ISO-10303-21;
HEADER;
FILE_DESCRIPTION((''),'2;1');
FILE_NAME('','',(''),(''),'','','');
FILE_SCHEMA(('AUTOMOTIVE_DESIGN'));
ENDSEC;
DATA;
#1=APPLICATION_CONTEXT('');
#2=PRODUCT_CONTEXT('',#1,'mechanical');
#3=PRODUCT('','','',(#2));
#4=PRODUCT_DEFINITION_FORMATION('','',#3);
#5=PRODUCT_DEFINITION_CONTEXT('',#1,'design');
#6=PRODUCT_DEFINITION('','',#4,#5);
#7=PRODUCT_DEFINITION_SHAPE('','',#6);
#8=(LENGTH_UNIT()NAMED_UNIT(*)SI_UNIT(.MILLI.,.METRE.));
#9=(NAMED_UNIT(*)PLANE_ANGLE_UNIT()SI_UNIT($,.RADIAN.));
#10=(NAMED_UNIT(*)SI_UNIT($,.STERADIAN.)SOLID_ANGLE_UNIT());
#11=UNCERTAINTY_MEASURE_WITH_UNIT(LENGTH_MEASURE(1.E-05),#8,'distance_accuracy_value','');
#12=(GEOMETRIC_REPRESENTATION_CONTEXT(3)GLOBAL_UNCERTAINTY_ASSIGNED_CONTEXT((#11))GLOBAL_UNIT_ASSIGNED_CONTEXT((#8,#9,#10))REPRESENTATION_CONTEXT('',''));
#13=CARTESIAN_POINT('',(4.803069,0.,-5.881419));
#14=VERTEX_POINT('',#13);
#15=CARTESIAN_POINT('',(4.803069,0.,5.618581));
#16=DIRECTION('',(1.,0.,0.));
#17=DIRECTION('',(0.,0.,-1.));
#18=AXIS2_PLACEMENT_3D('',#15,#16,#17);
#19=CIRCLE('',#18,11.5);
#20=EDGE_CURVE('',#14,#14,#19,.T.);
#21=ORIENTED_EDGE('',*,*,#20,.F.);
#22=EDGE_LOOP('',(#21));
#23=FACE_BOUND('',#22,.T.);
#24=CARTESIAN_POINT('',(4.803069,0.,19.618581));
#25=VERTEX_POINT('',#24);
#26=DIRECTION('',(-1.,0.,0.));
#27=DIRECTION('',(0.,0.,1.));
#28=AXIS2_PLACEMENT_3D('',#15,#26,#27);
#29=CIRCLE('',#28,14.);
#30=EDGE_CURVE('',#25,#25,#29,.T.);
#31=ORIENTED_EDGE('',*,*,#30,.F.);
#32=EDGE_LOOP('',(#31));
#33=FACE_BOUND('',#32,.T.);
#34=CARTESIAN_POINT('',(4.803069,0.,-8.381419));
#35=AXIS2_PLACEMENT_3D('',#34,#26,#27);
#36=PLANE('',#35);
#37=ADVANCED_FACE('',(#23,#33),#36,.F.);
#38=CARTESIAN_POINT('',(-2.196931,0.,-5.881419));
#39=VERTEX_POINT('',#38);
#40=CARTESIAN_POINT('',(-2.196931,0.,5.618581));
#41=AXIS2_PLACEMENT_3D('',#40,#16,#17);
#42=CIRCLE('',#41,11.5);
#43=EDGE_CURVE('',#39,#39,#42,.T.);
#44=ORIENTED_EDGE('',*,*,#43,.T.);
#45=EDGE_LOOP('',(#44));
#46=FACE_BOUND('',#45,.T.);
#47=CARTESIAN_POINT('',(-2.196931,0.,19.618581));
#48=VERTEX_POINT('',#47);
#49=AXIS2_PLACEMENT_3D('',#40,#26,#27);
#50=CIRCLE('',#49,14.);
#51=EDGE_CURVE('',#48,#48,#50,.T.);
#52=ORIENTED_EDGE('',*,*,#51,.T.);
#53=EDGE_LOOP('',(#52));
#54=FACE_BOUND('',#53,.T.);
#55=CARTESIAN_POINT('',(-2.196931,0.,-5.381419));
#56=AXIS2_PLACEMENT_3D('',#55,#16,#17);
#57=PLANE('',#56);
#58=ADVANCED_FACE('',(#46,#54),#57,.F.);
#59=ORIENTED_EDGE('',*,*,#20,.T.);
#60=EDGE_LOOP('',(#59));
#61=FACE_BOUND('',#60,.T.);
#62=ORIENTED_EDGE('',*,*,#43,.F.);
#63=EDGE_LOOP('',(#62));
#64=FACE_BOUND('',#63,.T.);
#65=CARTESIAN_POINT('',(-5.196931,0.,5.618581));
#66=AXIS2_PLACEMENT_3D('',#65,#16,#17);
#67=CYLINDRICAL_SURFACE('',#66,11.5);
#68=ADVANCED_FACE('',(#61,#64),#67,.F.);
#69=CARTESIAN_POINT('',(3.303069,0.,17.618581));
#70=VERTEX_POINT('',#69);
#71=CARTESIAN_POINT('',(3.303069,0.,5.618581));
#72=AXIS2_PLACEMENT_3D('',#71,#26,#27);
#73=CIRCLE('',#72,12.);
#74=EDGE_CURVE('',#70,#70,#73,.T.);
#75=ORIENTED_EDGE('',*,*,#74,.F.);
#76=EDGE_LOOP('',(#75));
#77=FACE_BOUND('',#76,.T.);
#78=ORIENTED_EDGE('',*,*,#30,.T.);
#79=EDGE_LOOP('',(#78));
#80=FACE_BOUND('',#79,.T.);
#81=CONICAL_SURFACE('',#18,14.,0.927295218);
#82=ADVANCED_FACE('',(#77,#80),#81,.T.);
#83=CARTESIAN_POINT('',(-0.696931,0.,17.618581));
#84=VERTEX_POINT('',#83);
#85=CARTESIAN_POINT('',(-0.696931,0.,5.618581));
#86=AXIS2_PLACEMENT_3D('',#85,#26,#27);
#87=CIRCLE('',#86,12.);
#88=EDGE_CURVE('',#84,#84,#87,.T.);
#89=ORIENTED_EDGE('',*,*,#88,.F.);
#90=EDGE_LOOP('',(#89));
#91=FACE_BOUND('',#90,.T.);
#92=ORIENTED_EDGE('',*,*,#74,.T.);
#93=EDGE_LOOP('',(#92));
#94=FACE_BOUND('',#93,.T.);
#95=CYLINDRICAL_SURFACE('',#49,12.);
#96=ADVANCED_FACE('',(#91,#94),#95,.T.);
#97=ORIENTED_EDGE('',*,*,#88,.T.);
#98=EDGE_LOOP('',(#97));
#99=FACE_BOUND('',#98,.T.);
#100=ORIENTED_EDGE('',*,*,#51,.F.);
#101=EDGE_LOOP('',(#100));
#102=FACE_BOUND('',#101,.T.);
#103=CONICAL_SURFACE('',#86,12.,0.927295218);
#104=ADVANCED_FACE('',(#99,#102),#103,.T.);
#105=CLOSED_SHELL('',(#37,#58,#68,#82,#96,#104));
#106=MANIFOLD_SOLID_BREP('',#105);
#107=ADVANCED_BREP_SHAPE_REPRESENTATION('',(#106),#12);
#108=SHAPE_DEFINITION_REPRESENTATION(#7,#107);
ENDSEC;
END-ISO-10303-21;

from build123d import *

# Parameters (mm, degrees)
SKETCH2_R          = 11.5
CUT_EXTRUDE1_DEPTH = 10


with BuildPart() as part:
    # Sketch1 → Revolve1 (revolve)
    with BuildSketch(Plane(origin=(0, 0, 0), x_dir=(1, 0, 0), z_dir=(0, 1, 0))):
        Polygon((-2.196930667, 5.381418675), (-2.196930667, 8.381418675), (-0.696930667, 6.381418675), (3.303069333, 6.381418675), (4.803069333, 8.381418675), (4.803069333, 5.381418675), align=None)
    revolve(axis=Axis((-2.196930667, 0, 5.618581325), (1, 0, 0)))

    # Sketch2 → Cut-Extrude1 (cut)
    with BuildSketch(Plane(origin=(4.803069333, 0, 0), x_dir=(0, 0, -1), z_dir=(1, 0, 0))):
        with Locations((-5.618581325, 0)):
            Circle(SKETCH2_R)
    extrude(amount=-CUT_EXTRUDE1_DEPTH, mode=Mode.SUBTRACT)


solid = part.part
